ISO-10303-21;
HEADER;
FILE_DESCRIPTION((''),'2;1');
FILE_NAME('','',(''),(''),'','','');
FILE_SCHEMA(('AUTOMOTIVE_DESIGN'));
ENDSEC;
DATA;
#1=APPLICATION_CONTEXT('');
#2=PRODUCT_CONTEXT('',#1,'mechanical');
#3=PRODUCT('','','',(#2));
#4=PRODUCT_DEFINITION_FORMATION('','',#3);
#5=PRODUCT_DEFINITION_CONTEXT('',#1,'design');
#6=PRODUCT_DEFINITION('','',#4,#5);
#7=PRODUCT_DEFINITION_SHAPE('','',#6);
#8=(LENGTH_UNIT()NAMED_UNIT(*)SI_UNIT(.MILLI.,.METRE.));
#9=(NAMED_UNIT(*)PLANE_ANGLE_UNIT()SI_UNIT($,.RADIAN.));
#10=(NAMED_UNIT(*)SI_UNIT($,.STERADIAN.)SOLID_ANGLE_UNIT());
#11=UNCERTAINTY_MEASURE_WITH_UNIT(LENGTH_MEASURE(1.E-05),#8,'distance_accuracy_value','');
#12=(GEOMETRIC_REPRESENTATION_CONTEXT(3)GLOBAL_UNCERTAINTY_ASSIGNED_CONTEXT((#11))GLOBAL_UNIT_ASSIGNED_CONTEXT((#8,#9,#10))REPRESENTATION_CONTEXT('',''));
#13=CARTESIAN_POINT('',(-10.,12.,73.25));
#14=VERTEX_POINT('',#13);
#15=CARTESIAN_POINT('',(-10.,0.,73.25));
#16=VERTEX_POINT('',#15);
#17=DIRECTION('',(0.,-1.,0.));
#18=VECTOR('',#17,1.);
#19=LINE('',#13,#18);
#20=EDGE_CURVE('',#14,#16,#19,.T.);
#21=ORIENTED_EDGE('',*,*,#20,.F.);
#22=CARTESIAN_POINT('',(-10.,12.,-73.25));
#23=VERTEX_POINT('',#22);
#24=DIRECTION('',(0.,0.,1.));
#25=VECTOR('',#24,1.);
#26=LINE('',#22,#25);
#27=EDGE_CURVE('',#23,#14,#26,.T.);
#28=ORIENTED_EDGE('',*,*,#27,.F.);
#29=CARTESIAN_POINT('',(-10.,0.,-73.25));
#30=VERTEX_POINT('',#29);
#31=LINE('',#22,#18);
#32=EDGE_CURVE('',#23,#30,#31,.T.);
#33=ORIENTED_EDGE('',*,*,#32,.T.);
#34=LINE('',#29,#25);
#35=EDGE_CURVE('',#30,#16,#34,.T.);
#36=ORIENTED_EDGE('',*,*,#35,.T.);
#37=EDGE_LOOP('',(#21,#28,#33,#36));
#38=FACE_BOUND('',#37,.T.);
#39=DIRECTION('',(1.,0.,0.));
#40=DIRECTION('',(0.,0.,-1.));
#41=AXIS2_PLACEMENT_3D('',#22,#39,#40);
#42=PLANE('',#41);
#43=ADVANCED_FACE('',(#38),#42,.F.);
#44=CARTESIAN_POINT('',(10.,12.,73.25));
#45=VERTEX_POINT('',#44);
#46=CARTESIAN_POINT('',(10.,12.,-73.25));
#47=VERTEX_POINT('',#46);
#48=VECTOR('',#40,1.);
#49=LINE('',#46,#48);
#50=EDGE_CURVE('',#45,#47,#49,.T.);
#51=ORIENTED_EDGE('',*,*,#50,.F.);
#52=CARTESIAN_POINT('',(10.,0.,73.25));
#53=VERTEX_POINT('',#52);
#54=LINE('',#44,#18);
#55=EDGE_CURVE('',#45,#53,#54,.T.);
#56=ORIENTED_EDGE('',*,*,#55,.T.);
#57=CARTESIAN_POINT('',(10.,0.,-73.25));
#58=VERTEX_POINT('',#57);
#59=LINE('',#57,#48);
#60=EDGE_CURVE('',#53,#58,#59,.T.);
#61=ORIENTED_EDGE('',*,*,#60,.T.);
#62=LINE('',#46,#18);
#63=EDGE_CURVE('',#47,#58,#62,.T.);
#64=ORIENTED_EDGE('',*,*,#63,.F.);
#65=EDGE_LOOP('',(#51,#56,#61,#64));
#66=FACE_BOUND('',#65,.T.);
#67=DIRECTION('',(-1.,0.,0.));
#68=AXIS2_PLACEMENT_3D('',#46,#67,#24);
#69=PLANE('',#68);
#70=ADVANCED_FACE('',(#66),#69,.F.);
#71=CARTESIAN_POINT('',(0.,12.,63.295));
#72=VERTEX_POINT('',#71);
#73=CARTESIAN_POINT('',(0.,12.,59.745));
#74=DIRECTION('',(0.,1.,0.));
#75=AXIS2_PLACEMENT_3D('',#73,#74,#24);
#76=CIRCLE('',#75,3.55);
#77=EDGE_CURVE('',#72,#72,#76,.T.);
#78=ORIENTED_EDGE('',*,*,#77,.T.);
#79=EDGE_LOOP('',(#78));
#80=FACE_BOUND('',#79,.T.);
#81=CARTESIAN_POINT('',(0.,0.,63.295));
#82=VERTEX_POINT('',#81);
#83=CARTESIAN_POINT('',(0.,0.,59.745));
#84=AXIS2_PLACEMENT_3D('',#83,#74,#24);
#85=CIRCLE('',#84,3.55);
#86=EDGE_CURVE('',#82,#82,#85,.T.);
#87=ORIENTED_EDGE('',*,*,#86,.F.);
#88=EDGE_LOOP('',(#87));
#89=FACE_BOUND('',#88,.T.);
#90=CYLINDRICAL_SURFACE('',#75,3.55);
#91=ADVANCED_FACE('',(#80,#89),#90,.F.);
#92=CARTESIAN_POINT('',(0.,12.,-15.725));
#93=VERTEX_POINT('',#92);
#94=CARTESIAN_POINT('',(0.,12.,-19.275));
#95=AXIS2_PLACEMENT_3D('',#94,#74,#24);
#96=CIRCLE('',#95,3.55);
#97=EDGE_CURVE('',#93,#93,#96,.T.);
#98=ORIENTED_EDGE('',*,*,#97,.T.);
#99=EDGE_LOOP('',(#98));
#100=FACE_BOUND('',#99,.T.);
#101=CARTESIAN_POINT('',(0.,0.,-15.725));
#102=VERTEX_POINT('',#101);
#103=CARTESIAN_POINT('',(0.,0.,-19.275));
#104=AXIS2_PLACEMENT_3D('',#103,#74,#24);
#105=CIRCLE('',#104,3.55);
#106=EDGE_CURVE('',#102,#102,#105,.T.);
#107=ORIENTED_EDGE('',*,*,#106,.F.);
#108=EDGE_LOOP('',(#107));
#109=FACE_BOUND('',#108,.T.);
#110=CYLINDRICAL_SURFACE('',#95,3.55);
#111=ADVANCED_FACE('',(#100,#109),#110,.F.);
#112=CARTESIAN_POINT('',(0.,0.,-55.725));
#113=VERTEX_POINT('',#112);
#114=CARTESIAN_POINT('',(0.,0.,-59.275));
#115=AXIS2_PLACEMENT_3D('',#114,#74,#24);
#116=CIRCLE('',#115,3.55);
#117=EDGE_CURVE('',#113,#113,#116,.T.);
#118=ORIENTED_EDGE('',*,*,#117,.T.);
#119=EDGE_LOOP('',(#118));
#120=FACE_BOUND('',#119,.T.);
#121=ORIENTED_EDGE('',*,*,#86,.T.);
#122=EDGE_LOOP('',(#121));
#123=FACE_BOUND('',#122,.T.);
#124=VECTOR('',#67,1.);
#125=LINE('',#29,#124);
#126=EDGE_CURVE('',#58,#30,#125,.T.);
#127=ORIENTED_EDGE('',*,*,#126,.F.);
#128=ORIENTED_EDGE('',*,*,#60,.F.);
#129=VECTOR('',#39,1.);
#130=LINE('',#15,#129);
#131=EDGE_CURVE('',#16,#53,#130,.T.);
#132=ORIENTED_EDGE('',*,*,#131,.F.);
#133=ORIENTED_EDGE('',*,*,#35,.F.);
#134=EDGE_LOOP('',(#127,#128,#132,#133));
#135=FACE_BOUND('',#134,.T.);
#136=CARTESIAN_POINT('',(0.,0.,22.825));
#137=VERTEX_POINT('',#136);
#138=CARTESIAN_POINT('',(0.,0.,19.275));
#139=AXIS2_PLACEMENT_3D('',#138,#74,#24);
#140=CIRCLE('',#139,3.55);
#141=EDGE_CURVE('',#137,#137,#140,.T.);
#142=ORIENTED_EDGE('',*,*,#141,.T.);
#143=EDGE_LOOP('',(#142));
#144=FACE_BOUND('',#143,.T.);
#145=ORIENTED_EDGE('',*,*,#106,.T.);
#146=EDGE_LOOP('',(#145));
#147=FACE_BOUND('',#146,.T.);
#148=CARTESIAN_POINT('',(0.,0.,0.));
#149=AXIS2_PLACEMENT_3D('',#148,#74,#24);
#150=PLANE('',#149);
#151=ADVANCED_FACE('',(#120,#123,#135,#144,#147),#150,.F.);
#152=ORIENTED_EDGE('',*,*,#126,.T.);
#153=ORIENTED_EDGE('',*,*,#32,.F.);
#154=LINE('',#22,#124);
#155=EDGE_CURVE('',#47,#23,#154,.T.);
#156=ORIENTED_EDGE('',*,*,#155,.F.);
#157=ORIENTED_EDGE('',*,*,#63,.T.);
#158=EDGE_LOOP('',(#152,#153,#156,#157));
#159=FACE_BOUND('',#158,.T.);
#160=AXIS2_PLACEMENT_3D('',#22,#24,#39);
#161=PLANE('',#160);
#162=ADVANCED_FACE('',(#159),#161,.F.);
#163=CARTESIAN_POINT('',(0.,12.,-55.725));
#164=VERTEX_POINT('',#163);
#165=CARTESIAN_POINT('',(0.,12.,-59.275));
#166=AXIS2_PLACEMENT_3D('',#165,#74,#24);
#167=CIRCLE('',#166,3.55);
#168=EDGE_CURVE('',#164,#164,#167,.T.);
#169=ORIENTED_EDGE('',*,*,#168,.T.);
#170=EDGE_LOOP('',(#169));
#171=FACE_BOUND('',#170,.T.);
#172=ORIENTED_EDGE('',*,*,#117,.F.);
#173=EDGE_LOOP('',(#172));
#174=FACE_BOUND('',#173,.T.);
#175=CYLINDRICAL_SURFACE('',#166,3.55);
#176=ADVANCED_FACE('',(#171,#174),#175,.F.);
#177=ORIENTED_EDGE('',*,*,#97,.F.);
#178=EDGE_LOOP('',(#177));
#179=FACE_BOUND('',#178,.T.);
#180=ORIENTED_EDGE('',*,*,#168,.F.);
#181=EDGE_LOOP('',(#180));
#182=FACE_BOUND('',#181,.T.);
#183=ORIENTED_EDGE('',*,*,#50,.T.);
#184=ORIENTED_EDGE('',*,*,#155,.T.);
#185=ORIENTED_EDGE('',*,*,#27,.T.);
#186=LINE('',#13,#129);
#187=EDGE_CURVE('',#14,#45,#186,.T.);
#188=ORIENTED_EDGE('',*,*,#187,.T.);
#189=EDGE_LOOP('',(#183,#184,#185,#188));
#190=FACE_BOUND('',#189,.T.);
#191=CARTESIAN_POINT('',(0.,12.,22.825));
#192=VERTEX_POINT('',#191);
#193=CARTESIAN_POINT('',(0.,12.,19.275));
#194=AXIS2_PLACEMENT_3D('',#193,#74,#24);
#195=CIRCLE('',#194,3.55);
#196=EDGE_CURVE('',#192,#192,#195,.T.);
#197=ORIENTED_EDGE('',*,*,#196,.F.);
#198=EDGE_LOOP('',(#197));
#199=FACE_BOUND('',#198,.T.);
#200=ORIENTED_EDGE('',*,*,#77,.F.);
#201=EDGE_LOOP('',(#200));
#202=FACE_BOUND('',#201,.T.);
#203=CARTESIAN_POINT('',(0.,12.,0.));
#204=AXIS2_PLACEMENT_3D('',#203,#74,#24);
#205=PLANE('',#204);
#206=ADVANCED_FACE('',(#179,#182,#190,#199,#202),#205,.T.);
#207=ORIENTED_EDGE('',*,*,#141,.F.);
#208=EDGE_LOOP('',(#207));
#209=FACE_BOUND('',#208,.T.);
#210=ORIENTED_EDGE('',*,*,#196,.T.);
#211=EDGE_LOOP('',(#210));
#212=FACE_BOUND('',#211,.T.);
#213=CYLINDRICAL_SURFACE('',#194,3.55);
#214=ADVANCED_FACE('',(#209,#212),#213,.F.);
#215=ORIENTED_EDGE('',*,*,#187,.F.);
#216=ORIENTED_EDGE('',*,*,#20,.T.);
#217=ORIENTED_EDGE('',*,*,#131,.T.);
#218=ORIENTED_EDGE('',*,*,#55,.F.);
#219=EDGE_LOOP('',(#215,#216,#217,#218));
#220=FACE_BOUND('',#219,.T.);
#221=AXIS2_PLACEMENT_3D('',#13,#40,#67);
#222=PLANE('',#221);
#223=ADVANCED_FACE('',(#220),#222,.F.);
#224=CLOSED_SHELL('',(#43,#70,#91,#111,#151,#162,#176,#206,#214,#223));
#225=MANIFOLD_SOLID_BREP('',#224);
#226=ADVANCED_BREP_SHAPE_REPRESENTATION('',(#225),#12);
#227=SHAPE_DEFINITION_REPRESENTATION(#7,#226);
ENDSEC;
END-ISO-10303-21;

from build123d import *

# Parameters (mm, degrees)
SKETCH1_W                  = 20
SKETCH1_H                  = 146.5
BOSS_EXTRUDE1_DEPTH        = 12
F_7_1_7_1_DIAMETER_HOLE1_D = 7.1


with BuildPart() as part:
    # Sketch1 → Boss-Extrude1 (new body)
    with BuildSketch(Plane(origin=(0, 0, 0), x_dir=(1, 0, 0), z_dir=(0, 1, 0))):
        Rectangle(SKETCH1_W, SKETCH1_H)
    extrude(amount=BOSS_EXTRUDE1_DEPTH)

    # Ø7.1 (7.1) Diameter Hole1 (through all)
    with Locations(Plane(origin=(0, 12, 0), x_dir=(1, 0, 0), z_dir=(0, 1, 0))):
        with Locations((0, 59.275), (0, 19.275), (0, -19.275), (0, -59.745)):
            Hole(F_7_1_7_1_DIAMETER_HOLE1_D / 2)


solid = part.part
